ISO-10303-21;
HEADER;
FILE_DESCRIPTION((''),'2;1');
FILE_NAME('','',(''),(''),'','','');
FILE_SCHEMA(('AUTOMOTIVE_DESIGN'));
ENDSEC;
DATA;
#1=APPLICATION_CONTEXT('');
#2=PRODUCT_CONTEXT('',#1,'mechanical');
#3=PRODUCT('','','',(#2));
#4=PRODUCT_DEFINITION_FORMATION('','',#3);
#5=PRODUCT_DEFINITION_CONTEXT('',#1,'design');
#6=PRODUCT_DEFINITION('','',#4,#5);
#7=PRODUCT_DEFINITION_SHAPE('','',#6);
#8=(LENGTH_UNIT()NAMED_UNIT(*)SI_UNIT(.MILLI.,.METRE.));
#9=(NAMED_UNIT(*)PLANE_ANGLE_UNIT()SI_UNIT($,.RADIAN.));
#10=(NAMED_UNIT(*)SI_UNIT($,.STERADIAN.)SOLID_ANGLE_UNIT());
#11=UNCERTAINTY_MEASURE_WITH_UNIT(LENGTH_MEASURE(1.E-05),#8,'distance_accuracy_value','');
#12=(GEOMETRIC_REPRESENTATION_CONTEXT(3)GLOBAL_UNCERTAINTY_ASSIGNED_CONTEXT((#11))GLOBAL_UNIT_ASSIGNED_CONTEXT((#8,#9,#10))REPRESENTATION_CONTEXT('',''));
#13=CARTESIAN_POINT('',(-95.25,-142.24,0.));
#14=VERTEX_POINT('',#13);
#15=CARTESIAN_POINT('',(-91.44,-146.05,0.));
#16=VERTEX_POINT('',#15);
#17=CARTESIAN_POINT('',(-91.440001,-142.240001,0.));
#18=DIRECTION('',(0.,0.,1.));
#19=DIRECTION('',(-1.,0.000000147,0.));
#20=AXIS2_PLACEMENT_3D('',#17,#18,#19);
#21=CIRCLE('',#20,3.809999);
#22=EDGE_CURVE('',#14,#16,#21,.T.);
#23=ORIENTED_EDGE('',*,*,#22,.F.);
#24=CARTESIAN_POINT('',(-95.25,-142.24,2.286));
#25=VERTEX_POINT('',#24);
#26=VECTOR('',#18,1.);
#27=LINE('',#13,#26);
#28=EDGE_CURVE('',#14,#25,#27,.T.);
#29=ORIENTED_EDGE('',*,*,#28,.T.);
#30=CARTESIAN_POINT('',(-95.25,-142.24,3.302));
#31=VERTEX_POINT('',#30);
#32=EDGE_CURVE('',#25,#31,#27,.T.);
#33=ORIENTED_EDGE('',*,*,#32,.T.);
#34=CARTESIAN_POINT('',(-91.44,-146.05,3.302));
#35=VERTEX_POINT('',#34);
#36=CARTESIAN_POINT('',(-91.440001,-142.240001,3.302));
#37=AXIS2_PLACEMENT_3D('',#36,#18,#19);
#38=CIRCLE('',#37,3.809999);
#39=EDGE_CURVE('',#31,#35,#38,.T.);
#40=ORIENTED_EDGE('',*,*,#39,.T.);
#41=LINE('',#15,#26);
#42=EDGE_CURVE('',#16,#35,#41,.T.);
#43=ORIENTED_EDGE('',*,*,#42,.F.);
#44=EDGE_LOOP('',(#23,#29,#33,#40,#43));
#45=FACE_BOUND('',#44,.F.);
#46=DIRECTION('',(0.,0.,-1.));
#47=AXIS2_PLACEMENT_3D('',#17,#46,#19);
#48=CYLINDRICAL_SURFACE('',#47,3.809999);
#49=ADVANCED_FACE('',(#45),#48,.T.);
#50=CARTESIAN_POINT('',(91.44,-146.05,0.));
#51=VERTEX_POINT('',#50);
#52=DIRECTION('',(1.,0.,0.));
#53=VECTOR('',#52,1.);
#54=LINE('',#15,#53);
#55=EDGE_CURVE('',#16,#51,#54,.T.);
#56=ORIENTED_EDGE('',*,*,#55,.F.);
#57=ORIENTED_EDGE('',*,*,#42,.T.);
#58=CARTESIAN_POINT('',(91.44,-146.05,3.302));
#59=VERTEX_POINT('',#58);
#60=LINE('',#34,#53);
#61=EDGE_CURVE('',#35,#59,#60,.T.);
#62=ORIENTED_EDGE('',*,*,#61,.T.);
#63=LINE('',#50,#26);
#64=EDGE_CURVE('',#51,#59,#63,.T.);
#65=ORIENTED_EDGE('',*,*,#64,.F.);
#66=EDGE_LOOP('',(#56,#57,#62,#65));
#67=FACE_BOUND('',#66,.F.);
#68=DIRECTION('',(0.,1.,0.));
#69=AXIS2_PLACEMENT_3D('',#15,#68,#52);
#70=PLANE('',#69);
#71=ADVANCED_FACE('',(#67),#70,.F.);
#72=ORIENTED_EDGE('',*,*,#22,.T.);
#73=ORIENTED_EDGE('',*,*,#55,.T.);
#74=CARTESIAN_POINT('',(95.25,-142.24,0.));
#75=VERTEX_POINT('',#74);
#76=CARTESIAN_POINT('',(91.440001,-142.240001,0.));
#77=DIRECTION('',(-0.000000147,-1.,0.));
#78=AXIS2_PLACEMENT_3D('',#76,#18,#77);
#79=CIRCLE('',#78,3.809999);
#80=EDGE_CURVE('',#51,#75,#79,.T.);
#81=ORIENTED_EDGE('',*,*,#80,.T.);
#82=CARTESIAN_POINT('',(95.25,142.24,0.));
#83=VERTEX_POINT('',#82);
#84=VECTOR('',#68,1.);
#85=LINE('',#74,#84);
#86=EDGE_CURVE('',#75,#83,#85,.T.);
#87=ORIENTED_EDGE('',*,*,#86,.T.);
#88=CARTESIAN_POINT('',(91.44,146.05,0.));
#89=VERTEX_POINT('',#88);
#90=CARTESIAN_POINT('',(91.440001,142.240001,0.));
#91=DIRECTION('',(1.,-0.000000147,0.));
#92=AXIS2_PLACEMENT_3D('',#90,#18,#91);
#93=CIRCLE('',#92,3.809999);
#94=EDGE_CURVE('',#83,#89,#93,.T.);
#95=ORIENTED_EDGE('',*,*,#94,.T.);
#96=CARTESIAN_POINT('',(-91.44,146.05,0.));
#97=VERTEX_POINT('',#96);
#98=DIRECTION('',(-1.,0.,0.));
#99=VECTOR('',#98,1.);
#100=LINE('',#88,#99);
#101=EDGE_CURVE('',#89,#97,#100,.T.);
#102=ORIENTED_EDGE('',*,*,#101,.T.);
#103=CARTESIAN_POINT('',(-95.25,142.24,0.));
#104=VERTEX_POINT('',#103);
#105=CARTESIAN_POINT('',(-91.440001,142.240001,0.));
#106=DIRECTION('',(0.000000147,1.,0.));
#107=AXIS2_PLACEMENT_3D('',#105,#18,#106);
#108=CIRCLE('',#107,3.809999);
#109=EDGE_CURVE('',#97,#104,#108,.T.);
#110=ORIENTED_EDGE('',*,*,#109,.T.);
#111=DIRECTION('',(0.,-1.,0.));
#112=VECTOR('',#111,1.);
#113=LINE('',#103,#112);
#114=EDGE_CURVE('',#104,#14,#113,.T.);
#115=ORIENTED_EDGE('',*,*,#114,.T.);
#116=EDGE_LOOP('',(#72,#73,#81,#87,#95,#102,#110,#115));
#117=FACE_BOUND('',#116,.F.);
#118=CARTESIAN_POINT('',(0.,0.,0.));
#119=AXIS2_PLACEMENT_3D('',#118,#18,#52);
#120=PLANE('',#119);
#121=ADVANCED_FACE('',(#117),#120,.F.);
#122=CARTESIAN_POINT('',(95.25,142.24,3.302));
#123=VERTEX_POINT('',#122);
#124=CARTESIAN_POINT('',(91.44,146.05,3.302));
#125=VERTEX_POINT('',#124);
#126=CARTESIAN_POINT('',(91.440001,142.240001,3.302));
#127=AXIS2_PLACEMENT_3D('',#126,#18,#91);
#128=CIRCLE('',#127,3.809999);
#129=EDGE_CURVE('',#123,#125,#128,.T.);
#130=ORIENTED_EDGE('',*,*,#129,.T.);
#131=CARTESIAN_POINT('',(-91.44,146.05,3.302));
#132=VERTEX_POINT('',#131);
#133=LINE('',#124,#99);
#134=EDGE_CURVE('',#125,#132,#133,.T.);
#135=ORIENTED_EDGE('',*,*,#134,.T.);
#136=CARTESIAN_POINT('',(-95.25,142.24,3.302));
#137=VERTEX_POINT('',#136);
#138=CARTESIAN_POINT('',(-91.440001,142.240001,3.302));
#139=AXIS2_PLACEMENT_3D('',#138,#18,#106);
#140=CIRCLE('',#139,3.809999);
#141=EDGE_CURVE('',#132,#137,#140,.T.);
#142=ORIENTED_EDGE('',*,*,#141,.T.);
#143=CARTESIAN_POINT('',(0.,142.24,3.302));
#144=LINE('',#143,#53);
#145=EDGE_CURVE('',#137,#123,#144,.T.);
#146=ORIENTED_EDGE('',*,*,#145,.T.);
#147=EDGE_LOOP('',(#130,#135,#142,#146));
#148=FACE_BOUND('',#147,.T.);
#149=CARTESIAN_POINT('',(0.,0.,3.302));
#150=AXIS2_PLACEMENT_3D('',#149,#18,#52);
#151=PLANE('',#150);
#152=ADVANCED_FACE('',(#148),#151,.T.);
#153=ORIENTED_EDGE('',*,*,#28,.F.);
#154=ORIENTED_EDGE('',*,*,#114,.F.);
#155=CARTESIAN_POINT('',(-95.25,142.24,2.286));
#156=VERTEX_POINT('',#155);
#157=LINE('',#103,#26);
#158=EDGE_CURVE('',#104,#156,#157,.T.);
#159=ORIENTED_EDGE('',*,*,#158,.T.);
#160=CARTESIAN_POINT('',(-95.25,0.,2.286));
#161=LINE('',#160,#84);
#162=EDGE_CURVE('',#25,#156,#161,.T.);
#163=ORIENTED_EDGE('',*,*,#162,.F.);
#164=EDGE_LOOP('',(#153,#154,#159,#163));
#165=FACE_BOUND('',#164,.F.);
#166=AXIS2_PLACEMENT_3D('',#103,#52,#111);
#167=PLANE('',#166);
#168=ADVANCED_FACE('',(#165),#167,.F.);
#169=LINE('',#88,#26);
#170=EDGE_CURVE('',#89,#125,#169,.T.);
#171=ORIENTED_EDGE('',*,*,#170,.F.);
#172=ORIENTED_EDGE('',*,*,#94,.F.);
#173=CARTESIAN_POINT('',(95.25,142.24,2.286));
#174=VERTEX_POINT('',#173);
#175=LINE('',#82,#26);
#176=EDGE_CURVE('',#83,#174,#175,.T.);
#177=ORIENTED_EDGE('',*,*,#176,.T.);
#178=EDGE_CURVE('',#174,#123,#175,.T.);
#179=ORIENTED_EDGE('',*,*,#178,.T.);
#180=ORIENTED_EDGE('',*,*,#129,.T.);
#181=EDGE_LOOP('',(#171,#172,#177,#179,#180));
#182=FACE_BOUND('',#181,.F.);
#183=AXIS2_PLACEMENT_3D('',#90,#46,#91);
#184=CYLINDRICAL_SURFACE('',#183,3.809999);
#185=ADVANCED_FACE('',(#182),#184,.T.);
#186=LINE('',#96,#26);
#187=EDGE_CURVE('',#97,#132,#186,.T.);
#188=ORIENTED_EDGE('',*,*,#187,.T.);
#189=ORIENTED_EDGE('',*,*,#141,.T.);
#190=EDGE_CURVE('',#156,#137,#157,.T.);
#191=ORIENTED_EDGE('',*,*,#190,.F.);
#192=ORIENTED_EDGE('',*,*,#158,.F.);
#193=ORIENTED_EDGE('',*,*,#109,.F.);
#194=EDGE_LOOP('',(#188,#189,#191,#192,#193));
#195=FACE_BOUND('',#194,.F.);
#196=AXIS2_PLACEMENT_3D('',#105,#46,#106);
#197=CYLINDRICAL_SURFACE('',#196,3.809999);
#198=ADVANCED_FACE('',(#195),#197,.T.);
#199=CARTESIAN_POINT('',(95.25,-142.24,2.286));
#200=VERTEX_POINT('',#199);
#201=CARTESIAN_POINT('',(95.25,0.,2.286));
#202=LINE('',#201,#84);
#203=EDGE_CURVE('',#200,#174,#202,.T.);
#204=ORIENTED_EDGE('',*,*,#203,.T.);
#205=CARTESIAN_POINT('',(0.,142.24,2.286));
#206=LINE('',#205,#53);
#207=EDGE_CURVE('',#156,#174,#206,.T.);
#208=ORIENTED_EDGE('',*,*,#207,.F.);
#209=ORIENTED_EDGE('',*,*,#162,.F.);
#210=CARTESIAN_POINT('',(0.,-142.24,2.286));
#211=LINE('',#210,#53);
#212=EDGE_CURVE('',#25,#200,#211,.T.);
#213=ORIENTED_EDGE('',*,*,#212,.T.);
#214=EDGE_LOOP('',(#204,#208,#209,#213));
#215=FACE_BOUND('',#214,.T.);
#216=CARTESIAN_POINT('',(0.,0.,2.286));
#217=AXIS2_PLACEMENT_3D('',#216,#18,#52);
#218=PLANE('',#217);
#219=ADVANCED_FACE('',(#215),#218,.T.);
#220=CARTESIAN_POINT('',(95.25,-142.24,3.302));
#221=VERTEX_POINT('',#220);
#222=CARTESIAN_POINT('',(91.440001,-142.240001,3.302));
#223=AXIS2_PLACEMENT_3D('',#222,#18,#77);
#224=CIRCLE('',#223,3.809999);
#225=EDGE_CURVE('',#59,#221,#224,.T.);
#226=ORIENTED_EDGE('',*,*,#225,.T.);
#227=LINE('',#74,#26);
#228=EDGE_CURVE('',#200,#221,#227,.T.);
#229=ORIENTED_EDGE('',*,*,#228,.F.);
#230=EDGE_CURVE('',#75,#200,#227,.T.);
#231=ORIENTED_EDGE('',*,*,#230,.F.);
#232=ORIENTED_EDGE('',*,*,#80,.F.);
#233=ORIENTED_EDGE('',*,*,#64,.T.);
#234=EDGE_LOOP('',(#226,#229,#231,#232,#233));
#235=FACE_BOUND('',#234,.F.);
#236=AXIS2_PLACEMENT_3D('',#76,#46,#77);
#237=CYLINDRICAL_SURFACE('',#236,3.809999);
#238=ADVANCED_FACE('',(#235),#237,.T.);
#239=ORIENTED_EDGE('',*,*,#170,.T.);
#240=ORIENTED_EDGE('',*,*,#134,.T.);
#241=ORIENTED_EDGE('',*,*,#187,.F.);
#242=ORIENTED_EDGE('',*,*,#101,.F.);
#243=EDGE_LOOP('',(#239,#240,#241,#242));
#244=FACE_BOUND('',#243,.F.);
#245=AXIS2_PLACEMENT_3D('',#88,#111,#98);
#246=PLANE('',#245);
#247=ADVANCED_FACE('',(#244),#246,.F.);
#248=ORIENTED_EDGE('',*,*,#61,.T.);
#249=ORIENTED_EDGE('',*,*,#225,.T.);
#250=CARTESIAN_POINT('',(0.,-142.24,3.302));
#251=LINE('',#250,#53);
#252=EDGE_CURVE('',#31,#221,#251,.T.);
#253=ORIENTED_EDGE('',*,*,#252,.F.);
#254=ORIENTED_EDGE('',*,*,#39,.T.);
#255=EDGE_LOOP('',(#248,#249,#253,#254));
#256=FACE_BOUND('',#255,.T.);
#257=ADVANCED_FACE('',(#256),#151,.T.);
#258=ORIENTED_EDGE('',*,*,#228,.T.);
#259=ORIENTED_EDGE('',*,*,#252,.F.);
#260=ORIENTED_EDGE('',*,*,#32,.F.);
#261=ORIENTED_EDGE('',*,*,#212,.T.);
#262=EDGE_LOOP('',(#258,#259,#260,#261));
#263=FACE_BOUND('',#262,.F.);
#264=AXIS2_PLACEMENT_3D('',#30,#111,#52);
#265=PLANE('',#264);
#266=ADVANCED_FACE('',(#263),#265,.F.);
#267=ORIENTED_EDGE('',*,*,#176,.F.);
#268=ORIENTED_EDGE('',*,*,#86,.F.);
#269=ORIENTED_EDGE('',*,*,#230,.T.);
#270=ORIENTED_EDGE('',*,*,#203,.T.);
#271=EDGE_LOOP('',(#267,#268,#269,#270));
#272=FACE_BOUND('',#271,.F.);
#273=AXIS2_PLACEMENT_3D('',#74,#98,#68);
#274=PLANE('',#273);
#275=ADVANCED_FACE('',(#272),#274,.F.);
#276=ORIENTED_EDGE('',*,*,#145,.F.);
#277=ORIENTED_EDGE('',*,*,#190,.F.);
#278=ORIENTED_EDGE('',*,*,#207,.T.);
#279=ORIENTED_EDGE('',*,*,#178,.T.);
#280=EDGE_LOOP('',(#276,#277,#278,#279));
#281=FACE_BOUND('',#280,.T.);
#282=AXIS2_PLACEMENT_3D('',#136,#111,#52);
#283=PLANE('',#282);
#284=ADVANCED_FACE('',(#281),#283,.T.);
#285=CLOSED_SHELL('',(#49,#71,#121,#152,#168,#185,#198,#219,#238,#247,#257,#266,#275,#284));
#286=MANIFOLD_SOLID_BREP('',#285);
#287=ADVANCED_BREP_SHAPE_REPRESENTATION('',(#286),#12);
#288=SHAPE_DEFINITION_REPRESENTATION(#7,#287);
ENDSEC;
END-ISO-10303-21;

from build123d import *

# Parameters (mm, degrees)
F1_DEPTH = 3.302
F2_W     = 190.5
F2_H     = 284.48
F3_DEPTH = 1.016


with BuildPart() as f1:
    # F0 (on Top) → F1 (new body)
    with BuildSketch(Plane.XY):
        with BuildLine():
            Line((91.44, 146.05), (-91.44, 146.05))
            ThreePointArc((-91.44, 146.05), (-94.134077, 144.934077), (-95.25, 142.24))
            Line((-95.25, 142.24), (-95.25, -142.24))
            ThreePointArc((-95.25, -142.24), (-94.134077, -144.934077), (-91.44, -146.05))
            Line((-91.44, -146.05), (91.44, -146.05))
            ThreePointArc((91.44, -146.05), (94.134077, -144.934077), (95.25, -142.24))
            Line((95.25, -142.24), (95.25, 142.24))
            ThreePointArc((95.25, 142.24), (94.134077, 144.934077), (91.44, 146.05))
        make_face()
    extrude(amount=F1_DEPTH)

    # F2 (on face) → F3 (cut)
    with BuildSketch(Plane.XY.offset(3.302)):
        Rectangle(F2_W, F2_H)
    extrude(amount=-F3_DEPTH, mode=Mode.SUBTRACT)


solid = f1.part
